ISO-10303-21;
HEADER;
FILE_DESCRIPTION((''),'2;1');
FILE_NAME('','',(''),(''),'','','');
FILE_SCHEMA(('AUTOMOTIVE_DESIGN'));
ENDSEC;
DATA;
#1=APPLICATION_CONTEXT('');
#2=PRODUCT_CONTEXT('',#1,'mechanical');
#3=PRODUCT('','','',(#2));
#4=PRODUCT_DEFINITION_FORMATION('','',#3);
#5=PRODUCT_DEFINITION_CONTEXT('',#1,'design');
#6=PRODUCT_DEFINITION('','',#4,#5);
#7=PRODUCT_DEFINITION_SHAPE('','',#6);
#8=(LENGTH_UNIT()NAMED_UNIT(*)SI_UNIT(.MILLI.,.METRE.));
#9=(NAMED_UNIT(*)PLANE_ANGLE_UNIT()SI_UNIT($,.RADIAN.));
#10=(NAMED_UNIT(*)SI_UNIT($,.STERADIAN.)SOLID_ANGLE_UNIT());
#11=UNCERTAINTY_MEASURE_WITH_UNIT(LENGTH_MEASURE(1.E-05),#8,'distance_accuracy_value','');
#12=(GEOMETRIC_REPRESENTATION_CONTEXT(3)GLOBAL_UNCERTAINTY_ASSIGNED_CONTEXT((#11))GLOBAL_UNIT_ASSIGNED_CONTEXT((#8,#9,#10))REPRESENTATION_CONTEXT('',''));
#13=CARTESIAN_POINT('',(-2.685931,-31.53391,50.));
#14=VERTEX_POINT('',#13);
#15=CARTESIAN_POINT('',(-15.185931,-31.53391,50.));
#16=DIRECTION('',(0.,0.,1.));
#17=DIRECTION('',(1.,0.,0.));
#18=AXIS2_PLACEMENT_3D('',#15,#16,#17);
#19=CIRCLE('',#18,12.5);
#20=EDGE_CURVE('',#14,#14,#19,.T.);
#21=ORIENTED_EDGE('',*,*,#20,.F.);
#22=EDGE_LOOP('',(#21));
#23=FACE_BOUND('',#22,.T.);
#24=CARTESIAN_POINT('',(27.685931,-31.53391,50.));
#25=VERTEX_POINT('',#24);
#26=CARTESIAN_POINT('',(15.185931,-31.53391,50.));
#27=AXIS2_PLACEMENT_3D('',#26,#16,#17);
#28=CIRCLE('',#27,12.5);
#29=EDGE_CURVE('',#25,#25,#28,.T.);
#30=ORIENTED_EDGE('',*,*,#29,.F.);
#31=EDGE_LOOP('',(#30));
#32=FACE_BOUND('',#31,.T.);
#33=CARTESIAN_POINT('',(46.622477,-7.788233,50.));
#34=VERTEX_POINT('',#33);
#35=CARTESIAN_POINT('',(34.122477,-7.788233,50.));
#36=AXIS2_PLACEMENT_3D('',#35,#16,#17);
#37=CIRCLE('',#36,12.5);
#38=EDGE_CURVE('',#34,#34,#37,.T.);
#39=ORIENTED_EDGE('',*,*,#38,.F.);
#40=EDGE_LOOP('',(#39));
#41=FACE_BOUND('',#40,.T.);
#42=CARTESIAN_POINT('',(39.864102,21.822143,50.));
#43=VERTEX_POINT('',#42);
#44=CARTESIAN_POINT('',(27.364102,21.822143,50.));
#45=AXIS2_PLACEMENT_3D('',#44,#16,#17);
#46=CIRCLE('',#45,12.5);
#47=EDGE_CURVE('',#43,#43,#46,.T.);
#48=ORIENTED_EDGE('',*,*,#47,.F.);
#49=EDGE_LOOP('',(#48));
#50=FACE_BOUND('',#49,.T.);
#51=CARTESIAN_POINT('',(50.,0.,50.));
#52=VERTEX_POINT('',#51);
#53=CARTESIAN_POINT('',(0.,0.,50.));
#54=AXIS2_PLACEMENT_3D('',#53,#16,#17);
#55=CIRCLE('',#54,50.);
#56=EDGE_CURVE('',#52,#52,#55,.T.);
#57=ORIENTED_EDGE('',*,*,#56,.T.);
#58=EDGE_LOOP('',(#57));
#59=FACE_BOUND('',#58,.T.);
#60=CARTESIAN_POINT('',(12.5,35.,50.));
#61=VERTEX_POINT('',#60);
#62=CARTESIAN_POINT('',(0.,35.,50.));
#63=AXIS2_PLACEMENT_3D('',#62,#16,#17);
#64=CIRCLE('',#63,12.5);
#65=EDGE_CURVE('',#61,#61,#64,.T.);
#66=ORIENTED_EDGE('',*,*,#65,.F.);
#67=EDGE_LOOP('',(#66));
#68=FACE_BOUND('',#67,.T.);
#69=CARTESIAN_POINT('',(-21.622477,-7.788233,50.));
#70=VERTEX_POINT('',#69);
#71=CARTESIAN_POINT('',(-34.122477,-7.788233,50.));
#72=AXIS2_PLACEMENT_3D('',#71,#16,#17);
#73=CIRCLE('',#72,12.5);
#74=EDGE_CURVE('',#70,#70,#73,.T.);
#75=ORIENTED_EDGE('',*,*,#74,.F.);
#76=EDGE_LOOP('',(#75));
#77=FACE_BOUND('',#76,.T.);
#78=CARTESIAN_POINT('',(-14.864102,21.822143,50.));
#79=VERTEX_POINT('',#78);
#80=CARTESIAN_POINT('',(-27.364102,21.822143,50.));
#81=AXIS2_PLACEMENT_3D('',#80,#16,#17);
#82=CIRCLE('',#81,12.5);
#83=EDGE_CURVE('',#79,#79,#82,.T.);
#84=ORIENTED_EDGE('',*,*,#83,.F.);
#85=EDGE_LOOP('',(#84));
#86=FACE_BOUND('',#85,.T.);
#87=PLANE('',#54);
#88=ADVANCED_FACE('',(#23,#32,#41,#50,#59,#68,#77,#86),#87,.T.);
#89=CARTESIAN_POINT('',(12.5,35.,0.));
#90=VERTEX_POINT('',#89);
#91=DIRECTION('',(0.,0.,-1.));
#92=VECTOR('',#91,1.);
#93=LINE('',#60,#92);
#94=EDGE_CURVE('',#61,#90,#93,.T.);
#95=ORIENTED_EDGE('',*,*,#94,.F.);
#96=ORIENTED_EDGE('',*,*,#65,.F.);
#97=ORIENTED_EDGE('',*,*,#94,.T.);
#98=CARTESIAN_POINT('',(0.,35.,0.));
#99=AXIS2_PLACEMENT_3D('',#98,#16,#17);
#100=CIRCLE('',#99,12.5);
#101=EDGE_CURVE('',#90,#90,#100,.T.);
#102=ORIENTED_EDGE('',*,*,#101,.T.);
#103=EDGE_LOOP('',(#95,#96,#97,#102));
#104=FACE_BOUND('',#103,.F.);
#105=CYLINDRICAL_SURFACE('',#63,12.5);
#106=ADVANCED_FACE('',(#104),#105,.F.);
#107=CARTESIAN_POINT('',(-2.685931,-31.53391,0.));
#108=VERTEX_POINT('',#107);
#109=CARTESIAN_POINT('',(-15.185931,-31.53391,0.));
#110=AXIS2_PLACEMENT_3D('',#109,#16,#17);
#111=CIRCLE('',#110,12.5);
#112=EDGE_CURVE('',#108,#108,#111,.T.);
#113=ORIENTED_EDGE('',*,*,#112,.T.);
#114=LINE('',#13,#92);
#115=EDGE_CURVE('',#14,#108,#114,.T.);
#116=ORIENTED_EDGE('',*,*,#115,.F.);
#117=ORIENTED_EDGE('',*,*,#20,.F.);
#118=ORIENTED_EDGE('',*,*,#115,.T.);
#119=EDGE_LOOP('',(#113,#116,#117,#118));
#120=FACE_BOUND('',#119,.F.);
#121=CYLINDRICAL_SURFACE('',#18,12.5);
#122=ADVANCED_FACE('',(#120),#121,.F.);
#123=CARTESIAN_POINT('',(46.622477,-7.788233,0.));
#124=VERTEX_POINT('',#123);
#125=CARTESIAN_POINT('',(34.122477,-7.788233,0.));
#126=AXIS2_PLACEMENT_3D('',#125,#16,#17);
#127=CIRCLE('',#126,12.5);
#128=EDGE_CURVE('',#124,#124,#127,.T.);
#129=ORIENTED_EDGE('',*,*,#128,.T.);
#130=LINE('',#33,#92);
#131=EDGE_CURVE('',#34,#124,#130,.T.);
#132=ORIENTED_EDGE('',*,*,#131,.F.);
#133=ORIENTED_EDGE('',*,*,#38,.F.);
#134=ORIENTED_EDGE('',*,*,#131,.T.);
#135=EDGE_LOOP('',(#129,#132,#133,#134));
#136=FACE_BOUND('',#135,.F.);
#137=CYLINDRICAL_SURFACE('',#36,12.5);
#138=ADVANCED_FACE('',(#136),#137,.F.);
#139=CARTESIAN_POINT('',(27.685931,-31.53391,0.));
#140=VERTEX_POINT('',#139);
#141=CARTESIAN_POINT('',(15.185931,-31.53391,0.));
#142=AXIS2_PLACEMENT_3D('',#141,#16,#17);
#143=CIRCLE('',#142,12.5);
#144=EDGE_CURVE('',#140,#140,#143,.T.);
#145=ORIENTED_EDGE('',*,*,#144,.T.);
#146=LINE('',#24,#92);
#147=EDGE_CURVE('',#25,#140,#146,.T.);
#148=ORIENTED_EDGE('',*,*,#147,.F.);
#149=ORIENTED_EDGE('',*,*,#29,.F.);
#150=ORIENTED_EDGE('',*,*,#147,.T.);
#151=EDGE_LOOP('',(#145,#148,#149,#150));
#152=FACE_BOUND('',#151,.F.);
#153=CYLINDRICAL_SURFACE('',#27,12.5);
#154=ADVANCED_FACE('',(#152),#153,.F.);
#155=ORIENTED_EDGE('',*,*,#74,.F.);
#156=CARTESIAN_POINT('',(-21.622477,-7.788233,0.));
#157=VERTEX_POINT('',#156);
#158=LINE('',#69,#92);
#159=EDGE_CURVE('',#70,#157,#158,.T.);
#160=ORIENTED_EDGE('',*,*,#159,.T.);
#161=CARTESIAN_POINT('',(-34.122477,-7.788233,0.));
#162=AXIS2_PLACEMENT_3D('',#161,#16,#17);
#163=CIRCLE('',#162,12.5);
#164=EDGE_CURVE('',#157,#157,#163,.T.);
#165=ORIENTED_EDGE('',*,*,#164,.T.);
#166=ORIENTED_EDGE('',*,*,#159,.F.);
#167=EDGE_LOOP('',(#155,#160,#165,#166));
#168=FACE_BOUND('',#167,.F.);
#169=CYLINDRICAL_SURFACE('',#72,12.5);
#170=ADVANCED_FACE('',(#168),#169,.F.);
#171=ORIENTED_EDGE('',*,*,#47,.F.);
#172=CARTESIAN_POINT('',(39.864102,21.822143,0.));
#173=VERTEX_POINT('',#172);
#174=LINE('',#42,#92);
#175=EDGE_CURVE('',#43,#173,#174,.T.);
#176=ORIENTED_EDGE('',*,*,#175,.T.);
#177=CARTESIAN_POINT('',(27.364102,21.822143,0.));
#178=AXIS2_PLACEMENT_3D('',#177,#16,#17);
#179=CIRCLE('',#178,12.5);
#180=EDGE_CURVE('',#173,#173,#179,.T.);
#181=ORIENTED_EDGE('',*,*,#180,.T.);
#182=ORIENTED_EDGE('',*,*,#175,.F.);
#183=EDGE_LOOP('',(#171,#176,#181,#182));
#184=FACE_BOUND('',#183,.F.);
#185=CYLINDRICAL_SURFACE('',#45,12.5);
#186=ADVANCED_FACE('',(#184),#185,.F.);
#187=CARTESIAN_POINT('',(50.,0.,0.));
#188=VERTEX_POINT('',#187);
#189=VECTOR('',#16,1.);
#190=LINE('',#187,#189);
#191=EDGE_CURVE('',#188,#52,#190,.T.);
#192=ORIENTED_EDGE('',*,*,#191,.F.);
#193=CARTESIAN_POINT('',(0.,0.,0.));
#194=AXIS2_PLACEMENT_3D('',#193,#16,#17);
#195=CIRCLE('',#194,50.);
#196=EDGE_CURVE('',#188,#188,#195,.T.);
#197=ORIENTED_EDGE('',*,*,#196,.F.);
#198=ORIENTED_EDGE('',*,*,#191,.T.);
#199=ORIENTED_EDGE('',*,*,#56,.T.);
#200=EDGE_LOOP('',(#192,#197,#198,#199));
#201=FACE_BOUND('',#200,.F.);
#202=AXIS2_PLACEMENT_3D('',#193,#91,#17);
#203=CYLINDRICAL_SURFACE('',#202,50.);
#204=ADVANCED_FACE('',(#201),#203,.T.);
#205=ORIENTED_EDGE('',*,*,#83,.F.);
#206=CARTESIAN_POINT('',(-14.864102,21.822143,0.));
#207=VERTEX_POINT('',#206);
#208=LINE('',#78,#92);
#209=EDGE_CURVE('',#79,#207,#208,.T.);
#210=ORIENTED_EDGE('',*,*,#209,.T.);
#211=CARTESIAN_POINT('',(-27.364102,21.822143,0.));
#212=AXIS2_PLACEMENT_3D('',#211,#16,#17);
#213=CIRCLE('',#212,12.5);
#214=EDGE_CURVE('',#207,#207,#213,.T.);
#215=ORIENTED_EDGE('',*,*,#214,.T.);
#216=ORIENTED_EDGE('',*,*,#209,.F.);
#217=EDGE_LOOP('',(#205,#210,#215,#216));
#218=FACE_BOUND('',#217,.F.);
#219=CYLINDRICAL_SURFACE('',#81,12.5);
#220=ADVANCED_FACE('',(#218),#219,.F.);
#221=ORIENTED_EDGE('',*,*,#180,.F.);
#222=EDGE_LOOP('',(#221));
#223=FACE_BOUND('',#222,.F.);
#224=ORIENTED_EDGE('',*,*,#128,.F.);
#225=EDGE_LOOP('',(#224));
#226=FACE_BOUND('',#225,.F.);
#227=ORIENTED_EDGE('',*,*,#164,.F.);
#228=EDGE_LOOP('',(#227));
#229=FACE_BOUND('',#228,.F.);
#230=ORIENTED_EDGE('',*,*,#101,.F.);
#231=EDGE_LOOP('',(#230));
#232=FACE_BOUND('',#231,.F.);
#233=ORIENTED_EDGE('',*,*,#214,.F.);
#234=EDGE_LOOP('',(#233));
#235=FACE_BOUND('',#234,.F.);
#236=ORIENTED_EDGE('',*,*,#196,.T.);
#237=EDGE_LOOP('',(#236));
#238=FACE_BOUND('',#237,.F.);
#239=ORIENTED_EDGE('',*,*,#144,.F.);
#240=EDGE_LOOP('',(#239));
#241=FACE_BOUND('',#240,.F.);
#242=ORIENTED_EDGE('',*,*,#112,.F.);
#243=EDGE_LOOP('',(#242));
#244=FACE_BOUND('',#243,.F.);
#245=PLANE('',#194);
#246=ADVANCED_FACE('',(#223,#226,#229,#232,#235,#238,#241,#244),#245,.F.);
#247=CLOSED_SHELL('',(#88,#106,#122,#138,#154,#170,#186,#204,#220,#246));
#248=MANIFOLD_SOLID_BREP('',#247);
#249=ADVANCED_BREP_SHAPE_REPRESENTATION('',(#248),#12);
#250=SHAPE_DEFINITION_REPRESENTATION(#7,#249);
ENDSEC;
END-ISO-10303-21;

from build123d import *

# Parameters (mm, degrees)
F0_R     = 50
F1_DEPTH = 50
F2_R     = 12.5
F3_DEPTH = 50


with BuildPart() as f1:
    # F0 (on Top) → F1 (new body)
    with BuildSketch(Plane.XY):
        Circle(F0_R)
    extrude(amount=F1_DEPTH)

    # F2 (on face) → F3 (cut, through all)
    with BuildSketch(Plane.XY.offset(50)):
        with Locations((-15.185931, -31.53391)):
            Circle(F2_R)
        with Locations((15.185931, -31.53391)):
            Circle(F2_R)
        with Locations((34.122477, -7.788233)):
            Circle(F2_R)
        with Locations((27.364102, 21.822143)):
            Circle(F2_R)
        with Locations((0, 35)):
            Circle(F2_R)
        with Locations((-27.364102, 21.822143)):
            Circle(F2_R)
        with Locations((-34.122477, -7.788233)):
            Circle(F2_R)
    extrude(amount=-F3_DEPTH, mode=Mode.SUBTRACT)


solid = f1.part
